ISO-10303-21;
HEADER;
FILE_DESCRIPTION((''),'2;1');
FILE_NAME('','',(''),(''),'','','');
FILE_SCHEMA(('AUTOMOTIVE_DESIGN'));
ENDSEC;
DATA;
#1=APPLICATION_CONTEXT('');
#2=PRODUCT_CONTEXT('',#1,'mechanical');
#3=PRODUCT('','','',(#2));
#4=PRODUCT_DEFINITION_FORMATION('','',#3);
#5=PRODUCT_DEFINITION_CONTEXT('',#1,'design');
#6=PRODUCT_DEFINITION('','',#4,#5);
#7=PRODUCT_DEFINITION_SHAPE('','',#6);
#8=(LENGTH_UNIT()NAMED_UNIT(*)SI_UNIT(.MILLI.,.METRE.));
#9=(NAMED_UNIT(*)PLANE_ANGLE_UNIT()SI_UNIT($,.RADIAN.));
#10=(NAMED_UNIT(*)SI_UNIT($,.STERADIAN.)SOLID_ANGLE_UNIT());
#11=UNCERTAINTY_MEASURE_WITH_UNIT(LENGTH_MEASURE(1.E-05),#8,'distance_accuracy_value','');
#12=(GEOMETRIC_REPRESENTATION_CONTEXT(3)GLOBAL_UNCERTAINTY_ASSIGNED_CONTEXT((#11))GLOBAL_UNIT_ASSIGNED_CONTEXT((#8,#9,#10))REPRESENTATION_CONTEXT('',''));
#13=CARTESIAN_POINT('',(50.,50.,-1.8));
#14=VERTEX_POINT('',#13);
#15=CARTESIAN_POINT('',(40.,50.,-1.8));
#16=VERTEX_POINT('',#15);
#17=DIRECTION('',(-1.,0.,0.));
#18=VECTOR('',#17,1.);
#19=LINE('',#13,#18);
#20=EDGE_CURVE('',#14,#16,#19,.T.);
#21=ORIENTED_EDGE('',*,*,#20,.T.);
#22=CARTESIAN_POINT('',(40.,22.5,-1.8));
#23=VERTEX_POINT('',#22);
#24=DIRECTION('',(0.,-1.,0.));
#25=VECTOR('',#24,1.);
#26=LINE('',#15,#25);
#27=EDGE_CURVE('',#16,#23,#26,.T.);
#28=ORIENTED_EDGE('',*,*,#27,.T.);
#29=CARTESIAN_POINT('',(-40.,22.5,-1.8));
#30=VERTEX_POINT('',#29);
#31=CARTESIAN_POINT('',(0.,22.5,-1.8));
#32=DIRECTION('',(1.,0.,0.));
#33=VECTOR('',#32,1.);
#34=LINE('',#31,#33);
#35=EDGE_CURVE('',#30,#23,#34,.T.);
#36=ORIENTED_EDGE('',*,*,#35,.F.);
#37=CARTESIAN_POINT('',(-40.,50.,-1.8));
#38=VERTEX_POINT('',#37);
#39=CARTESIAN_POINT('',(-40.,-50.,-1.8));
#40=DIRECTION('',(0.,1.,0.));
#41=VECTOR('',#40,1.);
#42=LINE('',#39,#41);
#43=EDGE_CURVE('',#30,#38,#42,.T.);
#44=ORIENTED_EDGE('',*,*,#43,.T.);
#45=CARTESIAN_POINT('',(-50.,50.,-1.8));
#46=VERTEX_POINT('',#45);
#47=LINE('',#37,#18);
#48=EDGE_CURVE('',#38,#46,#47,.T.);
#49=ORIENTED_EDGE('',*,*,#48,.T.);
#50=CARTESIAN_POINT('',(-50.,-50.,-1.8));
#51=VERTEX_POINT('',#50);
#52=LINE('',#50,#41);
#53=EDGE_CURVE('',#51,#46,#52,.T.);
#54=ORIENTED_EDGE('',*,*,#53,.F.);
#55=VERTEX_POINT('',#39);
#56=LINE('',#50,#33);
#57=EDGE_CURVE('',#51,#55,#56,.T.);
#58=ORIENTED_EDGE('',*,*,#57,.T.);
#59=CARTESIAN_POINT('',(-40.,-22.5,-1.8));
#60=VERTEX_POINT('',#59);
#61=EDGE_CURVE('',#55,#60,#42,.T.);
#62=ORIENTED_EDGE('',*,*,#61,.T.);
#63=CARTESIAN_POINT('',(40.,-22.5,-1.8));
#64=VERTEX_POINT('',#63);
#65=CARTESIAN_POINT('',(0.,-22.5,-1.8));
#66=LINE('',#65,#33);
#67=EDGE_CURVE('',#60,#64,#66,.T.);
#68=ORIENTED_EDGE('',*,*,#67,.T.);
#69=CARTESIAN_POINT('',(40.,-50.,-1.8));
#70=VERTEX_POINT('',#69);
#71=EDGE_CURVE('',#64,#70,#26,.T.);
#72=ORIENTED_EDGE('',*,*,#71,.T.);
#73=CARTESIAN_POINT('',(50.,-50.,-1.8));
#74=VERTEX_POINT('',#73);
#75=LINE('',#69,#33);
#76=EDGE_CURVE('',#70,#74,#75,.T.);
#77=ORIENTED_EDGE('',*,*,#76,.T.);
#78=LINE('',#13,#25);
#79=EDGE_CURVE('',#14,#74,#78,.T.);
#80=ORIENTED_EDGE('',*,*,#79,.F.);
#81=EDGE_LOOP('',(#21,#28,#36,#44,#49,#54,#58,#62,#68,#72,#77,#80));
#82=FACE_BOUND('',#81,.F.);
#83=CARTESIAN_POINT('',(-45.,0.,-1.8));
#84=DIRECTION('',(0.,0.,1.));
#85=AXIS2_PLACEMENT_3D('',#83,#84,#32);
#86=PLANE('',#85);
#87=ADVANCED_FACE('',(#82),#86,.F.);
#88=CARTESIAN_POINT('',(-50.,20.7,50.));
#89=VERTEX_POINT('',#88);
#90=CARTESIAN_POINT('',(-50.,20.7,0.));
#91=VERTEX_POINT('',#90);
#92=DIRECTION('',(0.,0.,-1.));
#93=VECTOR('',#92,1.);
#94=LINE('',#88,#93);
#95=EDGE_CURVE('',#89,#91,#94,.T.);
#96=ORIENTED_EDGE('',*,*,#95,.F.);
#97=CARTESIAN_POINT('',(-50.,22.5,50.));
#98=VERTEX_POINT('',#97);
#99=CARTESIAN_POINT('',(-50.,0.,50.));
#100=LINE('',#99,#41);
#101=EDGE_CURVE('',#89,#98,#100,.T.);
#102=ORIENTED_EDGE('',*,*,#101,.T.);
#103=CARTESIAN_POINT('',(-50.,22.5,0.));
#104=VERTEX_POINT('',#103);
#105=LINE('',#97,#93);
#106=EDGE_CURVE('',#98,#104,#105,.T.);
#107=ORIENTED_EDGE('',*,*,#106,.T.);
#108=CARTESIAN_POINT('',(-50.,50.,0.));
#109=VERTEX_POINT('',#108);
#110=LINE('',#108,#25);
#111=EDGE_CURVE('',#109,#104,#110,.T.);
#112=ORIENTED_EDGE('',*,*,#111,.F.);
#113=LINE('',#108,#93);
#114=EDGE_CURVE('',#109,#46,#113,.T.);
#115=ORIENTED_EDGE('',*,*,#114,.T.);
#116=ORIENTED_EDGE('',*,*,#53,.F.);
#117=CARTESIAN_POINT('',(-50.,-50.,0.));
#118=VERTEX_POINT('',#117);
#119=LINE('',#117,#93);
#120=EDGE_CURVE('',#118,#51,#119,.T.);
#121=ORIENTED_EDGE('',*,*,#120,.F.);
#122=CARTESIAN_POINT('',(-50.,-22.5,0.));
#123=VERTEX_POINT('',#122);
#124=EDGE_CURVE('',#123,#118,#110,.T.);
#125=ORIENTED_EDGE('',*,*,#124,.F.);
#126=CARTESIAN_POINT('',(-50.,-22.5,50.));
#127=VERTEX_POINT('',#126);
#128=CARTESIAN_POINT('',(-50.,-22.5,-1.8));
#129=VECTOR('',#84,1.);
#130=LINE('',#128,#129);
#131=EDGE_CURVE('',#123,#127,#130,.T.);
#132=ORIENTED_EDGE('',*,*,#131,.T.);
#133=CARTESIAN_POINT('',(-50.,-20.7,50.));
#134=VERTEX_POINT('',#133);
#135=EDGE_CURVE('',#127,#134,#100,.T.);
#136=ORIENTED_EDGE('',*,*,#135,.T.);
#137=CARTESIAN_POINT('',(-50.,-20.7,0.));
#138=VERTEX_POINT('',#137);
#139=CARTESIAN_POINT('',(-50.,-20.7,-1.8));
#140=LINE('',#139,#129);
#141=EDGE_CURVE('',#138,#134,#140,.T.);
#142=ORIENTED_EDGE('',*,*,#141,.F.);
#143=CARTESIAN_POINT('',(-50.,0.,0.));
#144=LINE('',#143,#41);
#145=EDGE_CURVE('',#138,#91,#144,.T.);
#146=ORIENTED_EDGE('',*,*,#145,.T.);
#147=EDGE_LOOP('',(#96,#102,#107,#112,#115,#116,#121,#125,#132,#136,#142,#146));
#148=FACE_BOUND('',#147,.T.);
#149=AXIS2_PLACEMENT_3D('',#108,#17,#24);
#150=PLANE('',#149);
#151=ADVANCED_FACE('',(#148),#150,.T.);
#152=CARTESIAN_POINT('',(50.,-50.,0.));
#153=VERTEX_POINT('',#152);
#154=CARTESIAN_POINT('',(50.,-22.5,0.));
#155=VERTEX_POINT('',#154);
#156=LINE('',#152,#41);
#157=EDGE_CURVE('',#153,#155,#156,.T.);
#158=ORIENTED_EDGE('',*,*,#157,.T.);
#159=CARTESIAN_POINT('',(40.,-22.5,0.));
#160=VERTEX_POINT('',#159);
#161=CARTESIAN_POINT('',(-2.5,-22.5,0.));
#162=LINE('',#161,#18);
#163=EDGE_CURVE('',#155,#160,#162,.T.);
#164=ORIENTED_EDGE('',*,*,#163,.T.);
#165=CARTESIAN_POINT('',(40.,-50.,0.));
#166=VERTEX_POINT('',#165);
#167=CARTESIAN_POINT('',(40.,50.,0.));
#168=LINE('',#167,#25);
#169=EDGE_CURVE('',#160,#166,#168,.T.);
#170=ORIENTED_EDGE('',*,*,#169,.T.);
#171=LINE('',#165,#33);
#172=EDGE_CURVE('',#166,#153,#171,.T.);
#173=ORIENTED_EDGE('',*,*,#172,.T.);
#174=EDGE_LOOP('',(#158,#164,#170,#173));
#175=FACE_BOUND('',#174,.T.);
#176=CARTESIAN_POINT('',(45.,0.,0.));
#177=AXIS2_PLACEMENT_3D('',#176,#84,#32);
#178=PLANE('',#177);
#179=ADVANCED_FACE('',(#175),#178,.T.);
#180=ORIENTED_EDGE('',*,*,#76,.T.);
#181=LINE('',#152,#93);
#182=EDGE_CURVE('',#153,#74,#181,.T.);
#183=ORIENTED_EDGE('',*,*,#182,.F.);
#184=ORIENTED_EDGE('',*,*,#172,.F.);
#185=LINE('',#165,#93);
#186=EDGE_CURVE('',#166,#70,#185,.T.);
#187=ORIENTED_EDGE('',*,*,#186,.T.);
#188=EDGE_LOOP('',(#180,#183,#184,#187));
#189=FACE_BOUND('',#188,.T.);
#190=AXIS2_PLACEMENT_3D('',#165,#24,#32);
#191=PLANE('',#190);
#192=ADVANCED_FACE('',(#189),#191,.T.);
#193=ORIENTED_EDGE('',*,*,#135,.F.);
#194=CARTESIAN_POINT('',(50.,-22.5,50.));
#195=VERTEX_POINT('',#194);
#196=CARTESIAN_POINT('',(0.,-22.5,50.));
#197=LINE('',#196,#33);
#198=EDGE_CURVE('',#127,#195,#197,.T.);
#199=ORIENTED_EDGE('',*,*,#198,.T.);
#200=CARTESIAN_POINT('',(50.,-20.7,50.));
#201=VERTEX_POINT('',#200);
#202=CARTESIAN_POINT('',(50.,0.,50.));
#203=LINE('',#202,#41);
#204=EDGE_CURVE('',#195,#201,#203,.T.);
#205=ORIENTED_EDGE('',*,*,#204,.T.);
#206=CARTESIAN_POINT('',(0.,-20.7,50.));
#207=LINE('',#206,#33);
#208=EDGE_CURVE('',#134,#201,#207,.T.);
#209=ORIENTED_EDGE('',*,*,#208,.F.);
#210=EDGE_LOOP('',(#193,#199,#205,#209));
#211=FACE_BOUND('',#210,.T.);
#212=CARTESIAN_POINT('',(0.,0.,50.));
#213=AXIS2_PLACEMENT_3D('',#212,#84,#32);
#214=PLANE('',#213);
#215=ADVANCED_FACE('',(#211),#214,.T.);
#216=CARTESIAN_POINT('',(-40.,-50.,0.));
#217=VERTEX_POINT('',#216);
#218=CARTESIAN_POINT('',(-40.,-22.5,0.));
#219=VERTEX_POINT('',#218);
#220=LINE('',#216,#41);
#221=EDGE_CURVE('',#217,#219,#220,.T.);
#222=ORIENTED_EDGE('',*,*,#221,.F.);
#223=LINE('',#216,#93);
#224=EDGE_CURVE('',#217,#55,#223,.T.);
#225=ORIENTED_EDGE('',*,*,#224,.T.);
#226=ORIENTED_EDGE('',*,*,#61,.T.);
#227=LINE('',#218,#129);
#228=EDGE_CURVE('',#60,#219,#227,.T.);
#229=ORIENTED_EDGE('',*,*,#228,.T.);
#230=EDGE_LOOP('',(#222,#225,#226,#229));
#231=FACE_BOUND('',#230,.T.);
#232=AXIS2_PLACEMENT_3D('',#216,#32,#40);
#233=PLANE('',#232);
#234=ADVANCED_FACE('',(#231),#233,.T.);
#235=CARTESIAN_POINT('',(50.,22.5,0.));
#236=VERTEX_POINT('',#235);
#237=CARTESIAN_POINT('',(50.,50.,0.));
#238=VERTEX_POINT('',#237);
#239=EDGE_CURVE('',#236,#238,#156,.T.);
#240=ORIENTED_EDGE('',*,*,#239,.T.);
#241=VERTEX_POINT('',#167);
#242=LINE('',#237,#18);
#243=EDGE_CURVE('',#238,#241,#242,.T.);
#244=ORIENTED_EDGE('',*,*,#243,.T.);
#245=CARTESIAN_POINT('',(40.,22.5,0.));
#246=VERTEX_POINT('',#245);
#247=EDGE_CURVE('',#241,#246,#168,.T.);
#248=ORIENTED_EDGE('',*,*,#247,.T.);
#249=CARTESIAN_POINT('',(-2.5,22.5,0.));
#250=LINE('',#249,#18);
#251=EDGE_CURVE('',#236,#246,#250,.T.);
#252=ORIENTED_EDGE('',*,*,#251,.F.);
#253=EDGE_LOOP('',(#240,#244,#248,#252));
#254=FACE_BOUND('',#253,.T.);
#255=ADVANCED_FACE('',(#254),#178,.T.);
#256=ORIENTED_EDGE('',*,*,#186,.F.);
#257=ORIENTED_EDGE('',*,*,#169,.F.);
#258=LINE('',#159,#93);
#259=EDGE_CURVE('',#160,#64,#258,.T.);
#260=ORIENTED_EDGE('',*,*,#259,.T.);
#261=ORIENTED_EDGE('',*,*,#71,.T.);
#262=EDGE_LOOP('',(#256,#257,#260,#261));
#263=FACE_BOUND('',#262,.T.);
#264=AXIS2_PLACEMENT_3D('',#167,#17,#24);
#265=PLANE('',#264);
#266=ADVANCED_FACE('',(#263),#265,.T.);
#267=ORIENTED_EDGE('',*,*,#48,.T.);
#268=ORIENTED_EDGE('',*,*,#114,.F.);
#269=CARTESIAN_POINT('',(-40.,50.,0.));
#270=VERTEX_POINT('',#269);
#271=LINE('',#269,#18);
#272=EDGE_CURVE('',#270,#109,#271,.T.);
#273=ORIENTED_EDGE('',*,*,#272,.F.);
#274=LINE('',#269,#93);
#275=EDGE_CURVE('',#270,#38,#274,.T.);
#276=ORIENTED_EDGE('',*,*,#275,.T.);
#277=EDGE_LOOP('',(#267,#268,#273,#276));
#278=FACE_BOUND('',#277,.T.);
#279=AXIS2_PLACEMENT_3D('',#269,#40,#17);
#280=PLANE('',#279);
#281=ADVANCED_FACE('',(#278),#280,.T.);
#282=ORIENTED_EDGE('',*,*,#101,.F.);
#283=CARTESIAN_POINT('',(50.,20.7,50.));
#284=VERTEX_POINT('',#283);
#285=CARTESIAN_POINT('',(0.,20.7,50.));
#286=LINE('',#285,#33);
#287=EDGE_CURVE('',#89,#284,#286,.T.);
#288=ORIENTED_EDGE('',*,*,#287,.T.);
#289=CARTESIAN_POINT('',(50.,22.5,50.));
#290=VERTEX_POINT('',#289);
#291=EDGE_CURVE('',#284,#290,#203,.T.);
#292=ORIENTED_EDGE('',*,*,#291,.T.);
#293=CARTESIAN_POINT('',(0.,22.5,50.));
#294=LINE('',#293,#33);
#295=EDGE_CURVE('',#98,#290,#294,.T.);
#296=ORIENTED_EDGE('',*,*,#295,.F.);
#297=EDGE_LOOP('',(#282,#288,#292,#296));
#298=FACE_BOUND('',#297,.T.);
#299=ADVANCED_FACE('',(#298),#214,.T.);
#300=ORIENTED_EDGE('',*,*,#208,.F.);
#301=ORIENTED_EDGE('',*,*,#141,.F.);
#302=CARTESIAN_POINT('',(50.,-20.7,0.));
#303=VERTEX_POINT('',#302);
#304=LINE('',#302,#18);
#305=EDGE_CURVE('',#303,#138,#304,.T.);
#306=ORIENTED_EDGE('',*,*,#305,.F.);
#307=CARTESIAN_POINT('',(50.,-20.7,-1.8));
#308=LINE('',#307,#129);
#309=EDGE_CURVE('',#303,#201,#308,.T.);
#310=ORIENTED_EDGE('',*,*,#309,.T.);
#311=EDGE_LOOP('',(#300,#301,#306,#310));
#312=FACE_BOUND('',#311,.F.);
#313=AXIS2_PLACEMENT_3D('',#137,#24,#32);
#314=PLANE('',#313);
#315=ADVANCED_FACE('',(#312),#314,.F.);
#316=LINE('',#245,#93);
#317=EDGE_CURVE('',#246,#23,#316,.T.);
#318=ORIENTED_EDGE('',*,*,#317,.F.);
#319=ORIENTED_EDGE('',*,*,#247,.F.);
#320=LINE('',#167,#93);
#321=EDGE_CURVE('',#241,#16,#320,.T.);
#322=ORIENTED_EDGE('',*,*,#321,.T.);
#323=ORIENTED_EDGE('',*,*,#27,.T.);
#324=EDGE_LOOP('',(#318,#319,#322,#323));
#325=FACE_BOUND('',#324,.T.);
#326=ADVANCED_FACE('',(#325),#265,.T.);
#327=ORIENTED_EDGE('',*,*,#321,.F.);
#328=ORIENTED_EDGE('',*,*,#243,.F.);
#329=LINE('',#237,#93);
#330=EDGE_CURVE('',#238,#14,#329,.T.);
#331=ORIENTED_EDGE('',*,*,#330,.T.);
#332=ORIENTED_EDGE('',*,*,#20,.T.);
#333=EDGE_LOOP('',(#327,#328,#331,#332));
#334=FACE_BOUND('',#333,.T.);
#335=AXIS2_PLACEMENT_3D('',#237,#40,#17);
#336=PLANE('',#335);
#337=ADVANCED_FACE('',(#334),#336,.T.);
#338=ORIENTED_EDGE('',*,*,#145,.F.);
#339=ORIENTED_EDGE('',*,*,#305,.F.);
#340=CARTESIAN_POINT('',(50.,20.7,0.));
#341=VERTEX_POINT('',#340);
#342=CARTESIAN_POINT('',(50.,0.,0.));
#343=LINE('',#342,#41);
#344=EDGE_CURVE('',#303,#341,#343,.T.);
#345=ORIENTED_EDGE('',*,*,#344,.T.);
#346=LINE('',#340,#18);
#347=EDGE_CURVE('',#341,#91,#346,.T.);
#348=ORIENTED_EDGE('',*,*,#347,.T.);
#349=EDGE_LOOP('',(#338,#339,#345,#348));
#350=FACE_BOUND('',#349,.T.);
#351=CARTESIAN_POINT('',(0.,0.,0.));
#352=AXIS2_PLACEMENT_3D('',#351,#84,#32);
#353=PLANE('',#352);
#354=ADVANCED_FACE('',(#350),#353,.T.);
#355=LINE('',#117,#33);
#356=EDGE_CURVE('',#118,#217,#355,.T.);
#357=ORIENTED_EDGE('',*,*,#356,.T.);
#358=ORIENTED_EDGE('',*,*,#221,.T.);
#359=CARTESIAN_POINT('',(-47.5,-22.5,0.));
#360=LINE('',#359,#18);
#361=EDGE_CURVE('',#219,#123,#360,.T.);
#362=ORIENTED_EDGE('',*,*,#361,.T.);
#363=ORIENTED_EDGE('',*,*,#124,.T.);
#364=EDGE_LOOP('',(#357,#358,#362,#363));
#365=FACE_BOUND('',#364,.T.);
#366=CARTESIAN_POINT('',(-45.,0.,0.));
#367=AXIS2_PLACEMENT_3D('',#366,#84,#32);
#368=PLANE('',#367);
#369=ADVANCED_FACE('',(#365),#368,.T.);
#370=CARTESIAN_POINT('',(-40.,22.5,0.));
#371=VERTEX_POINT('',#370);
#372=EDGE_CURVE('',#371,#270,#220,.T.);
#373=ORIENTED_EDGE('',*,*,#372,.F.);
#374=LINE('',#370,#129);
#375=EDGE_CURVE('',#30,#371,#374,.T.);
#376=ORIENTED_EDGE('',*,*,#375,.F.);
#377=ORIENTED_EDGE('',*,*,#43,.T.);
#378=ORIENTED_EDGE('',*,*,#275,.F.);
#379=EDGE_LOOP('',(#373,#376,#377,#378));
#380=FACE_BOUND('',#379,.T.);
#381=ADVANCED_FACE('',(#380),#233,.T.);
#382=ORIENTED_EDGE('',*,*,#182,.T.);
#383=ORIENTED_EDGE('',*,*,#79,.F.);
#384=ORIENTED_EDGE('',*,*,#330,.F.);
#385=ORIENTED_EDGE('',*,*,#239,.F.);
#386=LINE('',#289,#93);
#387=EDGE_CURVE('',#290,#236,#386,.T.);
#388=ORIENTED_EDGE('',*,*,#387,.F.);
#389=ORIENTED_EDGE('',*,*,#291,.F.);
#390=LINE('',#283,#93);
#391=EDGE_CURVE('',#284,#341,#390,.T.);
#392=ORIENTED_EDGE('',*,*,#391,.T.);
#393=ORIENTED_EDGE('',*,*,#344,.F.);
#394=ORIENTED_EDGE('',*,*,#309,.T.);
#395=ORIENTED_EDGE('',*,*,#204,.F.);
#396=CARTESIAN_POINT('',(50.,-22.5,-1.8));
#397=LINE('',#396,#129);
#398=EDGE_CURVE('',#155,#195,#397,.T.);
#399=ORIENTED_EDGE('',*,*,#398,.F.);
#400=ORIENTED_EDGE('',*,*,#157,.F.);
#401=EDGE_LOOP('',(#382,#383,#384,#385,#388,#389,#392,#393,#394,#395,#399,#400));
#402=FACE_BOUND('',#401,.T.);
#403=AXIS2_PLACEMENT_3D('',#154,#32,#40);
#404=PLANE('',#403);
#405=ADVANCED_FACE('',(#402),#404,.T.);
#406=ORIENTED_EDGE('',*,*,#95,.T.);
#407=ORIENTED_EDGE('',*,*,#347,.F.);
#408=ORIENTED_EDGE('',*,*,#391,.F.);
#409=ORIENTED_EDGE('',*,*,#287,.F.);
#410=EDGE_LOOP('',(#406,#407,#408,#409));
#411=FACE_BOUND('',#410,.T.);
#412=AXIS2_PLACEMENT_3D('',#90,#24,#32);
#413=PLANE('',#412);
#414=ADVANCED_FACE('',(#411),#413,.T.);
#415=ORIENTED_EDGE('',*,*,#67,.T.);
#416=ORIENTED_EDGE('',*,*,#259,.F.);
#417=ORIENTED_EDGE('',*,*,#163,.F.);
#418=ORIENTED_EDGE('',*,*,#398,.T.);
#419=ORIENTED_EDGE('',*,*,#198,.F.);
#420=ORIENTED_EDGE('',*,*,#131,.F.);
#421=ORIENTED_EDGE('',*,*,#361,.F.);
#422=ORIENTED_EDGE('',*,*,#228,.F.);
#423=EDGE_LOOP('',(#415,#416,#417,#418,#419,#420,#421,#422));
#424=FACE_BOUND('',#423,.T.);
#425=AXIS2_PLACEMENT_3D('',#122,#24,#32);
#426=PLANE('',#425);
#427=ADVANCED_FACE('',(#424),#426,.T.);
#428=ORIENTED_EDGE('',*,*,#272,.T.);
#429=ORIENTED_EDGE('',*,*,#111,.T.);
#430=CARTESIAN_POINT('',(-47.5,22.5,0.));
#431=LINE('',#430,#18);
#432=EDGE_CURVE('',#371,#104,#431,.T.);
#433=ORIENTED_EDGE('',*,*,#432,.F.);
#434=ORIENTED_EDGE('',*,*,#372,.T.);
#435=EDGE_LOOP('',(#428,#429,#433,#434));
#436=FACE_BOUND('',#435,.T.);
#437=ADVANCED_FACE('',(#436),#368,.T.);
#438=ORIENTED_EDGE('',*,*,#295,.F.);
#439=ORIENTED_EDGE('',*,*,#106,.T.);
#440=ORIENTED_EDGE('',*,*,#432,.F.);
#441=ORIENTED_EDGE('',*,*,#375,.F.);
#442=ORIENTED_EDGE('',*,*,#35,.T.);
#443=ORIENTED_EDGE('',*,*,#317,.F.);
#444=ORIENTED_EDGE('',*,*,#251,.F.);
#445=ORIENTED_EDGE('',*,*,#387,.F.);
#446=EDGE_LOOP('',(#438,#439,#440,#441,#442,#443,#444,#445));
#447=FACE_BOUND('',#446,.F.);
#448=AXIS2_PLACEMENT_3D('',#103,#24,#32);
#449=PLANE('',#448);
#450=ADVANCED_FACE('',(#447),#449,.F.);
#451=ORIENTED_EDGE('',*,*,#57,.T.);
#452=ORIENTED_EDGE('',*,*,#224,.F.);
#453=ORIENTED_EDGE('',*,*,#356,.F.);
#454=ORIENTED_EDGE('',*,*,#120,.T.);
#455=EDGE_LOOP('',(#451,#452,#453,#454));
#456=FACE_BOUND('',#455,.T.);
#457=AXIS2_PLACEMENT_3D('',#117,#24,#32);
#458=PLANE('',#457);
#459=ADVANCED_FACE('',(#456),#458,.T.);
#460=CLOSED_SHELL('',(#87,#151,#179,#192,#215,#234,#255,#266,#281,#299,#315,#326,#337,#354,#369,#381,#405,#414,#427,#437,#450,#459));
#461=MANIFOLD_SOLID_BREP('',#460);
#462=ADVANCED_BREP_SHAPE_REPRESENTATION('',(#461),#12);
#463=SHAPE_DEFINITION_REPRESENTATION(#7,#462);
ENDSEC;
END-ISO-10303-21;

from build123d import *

# Parameters (mm, degrees)
F0_W          = 100
F0_H          = 45
F1_DEPTH      = 50
F1_DEPTH_BACK = 1.8
F2_T          = -1.8
F4_DEPTH      = 1.8


with BuildPart() as f1:
    # F0 (on Top) → F1 (new body, two sides)
    with BuildSketch(Plane.XY) as f1_sk:
        Rectangle(F0_W, F0_H)
    extrude(amount=F1_DEPTH)
    extrude(f1_sk.sketch, amount=-F1_DEPTH_BACK)

    # F2
    f2_openings = [f1.faces().sort_by_distance(p)[0] for p in [
        (0, 0, 50),
        (-50, 0, 24.1),
        (50, 0, 24.1),
    ]]
    offset(amount=F2_T, openings=f2_openings)

    # F3 (on Top) → F4 (join)
    with BuildSketch(Plane.XY):
        Polygon((-40, -50), (-40, 0), (-40, 50), (-50, 50), (-50, -50), align=None)
        Polygon((40, 50), (40, 0), (40, -50), (50, -50), (50, 50), align=None)
    extrude(amount=-F4_DEPTH)


solid = f1.part
